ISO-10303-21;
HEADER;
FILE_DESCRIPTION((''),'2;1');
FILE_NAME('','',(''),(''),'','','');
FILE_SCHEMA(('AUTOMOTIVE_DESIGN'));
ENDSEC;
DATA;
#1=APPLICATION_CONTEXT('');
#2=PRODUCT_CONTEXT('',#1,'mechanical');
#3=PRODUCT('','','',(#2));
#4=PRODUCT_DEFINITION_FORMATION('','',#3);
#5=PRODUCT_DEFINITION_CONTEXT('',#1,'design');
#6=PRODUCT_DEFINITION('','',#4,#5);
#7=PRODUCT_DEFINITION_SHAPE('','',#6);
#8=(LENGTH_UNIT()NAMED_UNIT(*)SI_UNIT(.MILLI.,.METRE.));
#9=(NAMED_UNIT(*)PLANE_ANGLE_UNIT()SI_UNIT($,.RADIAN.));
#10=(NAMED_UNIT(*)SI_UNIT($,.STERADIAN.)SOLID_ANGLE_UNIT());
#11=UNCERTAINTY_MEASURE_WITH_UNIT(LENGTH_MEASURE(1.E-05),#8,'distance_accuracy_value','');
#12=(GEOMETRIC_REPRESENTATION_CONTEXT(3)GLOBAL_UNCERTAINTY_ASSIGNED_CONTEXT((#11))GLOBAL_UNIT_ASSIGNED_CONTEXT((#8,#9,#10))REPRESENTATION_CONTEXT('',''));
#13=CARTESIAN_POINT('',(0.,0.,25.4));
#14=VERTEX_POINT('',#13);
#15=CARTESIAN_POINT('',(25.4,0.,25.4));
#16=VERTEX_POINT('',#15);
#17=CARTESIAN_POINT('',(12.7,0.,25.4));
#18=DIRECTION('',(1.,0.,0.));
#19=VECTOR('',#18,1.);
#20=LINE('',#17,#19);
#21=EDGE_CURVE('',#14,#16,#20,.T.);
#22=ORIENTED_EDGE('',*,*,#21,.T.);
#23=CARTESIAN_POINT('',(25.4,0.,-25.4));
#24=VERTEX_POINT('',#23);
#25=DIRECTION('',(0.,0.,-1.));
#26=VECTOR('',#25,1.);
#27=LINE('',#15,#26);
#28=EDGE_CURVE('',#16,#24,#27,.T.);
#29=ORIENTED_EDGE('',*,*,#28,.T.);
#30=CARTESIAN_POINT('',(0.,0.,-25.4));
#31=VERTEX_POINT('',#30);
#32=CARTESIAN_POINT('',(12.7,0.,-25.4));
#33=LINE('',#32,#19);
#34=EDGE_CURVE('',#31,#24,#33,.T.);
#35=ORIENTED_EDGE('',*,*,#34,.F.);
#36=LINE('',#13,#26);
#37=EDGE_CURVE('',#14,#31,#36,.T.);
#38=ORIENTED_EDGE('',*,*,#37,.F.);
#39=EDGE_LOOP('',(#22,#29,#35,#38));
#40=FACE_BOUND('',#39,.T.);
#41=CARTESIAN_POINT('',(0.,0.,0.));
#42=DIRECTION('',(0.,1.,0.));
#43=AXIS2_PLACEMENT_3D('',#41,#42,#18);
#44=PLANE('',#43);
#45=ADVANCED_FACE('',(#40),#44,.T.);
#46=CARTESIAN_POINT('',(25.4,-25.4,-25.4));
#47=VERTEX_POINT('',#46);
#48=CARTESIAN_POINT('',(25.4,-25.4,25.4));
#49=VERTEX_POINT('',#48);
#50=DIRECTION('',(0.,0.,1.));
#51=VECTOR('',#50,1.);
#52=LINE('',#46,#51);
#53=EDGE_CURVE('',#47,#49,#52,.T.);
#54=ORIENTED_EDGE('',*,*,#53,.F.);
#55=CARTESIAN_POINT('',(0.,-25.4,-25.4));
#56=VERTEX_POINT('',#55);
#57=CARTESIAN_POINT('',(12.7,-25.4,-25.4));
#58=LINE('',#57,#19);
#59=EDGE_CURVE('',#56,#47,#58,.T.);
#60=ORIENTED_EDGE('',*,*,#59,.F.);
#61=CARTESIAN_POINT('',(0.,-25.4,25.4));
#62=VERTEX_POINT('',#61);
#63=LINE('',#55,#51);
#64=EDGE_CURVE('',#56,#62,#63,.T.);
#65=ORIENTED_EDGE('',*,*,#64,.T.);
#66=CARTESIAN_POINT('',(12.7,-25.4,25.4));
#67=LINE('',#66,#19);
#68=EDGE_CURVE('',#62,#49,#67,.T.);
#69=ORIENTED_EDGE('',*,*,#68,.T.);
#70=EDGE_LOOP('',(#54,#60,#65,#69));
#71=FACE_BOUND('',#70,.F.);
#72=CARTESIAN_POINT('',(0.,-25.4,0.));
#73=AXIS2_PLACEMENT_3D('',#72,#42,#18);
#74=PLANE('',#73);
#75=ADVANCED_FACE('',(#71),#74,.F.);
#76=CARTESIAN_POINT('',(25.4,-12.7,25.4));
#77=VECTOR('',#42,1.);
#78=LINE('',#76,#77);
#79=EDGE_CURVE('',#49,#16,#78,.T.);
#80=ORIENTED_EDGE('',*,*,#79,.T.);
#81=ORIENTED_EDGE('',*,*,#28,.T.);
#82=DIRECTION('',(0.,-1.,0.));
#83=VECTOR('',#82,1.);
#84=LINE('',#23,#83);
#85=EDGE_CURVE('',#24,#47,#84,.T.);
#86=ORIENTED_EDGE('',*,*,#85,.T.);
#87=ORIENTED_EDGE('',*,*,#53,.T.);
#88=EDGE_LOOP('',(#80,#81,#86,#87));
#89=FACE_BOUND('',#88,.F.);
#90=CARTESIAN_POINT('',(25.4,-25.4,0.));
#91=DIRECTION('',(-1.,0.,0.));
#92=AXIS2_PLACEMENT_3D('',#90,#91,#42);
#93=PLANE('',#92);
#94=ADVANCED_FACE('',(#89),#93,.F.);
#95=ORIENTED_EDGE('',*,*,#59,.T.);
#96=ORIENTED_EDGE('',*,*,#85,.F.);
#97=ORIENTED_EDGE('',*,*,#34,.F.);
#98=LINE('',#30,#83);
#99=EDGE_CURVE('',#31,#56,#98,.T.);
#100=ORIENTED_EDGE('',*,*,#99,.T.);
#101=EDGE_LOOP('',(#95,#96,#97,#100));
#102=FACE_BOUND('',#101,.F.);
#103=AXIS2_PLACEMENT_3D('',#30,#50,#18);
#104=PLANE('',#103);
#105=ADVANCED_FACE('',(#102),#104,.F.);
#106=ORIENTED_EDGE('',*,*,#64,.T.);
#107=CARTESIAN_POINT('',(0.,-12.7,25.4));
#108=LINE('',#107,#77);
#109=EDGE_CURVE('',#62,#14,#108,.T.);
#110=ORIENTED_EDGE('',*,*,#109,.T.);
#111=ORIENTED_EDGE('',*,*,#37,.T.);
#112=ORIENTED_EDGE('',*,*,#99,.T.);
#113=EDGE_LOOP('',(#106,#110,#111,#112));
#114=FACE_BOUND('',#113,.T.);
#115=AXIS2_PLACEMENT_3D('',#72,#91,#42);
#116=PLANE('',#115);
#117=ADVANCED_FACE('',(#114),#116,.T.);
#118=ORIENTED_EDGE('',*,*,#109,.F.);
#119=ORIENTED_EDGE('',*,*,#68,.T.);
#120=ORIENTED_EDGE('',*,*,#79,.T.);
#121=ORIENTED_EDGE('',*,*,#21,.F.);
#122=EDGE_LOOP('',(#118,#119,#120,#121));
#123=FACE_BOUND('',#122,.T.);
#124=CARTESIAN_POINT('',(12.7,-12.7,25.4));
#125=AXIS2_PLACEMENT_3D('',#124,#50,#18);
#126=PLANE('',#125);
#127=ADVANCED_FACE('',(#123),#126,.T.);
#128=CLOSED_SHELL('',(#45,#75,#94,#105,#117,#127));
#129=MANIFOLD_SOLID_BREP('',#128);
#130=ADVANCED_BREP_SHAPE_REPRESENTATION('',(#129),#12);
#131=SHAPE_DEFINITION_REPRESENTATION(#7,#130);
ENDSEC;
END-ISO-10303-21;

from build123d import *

# Parameters (mm, degrees)
F0_W     = 25.4
F0_H     = 25.4
F1_DEPTH = 25.4
F2_W     = 25.4
F2_H     = 25.4
F3_DEPTH = 25.4


with BuildPart() as f1:
    # F0 (on Front) → F1 (new body)
    with BuildSketch(Plane.XZ):
        with Locations((12.7, -12.7)):
            Rectangle(F0_W, F0_H)
    extrude(amount=F1_DEPTH)

    # F2 (on face) → F3 (join)
    with BuildSketch(Plane.XY):
        with Locations((12.7, -12.7)):
            Rectangle(F2_W, F2_H)
    extrude(amount=F3_DEPTH)


solid = f1.part
